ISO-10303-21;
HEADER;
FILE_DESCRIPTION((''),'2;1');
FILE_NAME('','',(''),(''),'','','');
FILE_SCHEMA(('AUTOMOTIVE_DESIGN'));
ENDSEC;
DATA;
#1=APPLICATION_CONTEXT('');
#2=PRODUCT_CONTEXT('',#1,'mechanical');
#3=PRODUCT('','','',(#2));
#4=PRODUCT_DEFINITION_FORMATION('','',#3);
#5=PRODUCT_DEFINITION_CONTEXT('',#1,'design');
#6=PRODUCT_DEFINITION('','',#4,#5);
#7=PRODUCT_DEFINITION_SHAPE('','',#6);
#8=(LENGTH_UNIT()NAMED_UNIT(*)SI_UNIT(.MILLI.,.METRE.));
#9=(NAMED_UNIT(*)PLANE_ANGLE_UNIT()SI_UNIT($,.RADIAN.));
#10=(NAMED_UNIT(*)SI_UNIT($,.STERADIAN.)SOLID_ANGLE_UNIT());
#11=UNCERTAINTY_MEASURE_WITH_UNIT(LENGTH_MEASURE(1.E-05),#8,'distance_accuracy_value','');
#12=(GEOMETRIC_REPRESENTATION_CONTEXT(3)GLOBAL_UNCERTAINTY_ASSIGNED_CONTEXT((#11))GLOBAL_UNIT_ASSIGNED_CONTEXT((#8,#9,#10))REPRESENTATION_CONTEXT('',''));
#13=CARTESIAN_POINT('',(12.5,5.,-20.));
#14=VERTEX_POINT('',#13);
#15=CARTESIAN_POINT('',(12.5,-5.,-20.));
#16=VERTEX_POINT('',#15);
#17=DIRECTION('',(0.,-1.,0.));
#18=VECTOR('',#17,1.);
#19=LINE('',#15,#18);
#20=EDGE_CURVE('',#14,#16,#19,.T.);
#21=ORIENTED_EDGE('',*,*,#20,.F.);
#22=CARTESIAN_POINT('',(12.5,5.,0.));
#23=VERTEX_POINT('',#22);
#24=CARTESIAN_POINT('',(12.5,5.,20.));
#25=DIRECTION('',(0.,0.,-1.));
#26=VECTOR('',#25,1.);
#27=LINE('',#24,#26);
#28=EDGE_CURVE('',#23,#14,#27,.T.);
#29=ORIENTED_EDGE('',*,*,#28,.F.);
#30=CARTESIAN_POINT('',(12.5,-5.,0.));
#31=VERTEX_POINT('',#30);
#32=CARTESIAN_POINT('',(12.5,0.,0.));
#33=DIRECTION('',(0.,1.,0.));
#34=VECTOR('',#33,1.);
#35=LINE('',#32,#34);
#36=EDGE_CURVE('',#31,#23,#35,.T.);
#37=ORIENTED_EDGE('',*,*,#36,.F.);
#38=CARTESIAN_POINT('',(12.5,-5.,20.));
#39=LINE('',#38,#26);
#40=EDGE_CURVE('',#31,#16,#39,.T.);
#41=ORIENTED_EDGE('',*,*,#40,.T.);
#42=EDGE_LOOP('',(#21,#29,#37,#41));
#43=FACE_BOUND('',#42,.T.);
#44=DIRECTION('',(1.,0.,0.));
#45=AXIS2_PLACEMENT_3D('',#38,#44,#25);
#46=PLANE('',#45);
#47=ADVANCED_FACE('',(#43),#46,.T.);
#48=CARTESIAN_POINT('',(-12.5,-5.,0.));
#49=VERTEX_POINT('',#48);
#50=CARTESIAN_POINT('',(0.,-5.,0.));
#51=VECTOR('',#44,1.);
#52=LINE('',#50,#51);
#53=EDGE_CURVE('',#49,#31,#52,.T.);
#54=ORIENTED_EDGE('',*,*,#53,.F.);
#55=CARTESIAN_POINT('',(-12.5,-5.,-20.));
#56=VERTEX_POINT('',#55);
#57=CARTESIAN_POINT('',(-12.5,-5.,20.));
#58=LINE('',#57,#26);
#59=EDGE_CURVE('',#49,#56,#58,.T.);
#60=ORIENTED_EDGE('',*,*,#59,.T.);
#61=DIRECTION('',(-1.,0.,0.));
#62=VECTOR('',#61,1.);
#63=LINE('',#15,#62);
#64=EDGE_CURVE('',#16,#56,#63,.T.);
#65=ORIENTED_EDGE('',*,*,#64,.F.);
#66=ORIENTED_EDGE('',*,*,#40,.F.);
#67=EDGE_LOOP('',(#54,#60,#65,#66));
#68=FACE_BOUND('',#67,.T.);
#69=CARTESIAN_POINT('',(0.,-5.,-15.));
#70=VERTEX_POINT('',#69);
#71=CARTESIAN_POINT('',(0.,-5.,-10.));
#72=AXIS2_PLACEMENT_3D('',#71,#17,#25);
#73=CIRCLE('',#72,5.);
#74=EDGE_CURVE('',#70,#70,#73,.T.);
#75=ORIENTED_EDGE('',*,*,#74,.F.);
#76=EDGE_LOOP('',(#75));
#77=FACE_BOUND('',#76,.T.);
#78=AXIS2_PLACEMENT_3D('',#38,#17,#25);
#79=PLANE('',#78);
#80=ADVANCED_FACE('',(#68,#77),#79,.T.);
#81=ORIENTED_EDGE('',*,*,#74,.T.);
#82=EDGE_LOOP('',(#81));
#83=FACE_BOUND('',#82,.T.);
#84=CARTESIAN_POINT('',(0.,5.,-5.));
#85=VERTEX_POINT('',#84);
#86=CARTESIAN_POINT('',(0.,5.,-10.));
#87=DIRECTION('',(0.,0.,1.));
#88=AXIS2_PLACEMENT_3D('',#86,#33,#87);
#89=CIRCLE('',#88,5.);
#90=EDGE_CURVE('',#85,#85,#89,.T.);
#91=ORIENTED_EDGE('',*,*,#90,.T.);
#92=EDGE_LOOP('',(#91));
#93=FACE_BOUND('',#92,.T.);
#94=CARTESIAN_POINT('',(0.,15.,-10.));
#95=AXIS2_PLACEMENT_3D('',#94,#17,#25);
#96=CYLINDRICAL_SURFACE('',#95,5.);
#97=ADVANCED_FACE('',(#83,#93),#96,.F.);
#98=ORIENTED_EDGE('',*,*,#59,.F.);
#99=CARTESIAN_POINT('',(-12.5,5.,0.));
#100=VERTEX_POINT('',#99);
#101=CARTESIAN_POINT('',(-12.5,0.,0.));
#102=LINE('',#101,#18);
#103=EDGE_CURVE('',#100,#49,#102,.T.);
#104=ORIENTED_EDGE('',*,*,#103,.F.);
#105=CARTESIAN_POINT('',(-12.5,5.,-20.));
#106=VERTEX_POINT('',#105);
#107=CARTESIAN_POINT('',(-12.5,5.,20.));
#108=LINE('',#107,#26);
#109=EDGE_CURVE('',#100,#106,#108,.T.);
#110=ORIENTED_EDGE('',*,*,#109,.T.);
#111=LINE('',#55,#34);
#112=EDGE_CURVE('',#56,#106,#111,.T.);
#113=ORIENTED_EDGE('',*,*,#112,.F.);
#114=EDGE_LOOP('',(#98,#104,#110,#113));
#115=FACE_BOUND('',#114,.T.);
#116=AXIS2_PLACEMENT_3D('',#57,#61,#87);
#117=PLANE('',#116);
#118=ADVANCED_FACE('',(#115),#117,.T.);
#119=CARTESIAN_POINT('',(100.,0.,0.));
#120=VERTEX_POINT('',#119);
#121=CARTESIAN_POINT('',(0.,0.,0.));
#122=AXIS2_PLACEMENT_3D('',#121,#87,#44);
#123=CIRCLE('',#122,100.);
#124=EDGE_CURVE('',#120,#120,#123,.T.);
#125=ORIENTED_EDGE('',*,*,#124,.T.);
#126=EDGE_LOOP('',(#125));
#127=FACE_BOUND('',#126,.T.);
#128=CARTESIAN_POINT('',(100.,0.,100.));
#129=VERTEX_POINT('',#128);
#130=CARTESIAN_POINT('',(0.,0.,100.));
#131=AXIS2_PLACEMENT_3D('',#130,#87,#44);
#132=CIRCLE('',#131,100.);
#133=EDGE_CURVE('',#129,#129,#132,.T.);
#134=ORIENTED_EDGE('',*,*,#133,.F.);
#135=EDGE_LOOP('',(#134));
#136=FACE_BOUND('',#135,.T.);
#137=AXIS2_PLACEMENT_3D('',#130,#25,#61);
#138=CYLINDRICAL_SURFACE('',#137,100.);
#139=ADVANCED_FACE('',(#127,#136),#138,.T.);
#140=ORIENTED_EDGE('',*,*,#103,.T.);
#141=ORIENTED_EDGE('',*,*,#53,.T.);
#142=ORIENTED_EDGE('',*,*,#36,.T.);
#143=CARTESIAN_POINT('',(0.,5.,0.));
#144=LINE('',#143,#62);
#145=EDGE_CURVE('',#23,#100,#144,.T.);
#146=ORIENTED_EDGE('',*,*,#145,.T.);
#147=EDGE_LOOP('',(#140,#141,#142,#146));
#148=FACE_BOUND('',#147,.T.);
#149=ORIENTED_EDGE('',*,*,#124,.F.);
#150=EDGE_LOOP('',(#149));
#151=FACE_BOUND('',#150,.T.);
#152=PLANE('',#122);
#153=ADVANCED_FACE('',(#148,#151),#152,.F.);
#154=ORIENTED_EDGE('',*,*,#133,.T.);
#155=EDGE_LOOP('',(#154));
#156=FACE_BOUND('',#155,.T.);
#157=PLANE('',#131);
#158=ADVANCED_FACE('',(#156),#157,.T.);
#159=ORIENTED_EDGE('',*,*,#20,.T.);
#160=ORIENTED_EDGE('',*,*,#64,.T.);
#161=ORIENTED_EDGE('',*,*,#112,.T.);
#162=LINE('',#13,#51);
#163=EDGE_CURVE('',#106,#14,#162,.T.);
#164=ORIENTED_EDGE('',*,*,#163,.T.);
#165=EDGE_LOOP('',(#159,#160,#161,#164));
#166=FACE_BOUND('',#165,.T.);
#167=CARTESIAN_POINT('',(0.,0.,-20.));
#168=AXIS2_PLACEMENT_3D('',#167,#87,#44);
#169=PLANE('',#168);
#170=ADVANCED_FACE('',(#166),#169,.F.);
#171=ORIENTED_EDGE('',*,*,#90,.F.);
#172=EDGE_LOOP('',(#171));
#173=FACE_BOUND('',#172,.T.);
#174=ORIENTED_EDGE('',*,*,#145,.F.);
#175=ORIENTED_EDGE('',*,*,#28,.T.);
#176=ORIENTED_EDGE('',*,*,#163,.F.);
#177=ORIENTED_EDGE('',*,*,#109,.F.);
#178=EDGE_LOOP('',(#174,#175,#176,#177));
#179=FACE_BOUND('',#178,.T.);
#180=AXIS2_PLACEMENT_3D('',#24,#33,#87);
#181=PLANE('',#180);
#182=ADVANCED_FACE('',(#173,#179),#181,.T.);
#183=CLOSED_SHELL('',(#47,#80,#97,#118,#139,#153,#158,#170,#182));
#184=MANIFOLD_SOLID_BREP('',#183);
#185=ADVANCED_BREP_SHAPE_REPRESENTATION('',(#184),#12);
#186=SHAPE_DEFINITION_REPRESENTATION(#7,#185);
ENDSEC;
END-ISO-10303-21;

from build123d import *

# Parameters (mm, degrees)
SKETCH1_R                = 100
BOSS_EXTRUDE1_DEPTH      = 100
BOSS_EXTRUDE2_DEPTH      = 20
BOSS_EXTRUDE2_DEPTH_BACK = 20
SKETCH2_W                = 25
SKETCH2_H                = 10
SKETCH4_R                = 5
CUT_EXTRUDE1_DEPTH       = 20


with BuildPart() as part:
    # Sketch1 → Boss-Extrude1 (new body)
    with BuildSketch(Plane.XY):
        Circle(SKETCH1_R)
    extrude(amount=BOSS_EXTRUDE1_DEPTH)

    # Sketch2 → Boss-Extrude2 (add, two sides: drawn at the far end of the back side and taken through both)
    with BuildSketch(Plane(origin=(0, 0, 0), x_dir=(-1, 0, 0), z_dir=(0, 0, -1)).offset(-BOSS_EXTRUDE2_DEPTH_BACK)):
        Rectangle(SKETCH2_W, SKETCH2_H)
    extrude(amount=BOSS_EXTRUDE2_DEPTH + BOSS_EXTRUDE2_DEPTH_BACK)

    # Sketch4 → Cut-Extrude1 (cut)
    with BuildSketch(Plane.XZ.offset(5)):
        with Locations(Location((0, -10, 0), (0, 0, 270))):
            Circle(SKETCH4_R)
    extrude(amount=-CUT_EXTRUDE1_DEPTH, mode=Mode.SUBTRACT)


solid = part.part
